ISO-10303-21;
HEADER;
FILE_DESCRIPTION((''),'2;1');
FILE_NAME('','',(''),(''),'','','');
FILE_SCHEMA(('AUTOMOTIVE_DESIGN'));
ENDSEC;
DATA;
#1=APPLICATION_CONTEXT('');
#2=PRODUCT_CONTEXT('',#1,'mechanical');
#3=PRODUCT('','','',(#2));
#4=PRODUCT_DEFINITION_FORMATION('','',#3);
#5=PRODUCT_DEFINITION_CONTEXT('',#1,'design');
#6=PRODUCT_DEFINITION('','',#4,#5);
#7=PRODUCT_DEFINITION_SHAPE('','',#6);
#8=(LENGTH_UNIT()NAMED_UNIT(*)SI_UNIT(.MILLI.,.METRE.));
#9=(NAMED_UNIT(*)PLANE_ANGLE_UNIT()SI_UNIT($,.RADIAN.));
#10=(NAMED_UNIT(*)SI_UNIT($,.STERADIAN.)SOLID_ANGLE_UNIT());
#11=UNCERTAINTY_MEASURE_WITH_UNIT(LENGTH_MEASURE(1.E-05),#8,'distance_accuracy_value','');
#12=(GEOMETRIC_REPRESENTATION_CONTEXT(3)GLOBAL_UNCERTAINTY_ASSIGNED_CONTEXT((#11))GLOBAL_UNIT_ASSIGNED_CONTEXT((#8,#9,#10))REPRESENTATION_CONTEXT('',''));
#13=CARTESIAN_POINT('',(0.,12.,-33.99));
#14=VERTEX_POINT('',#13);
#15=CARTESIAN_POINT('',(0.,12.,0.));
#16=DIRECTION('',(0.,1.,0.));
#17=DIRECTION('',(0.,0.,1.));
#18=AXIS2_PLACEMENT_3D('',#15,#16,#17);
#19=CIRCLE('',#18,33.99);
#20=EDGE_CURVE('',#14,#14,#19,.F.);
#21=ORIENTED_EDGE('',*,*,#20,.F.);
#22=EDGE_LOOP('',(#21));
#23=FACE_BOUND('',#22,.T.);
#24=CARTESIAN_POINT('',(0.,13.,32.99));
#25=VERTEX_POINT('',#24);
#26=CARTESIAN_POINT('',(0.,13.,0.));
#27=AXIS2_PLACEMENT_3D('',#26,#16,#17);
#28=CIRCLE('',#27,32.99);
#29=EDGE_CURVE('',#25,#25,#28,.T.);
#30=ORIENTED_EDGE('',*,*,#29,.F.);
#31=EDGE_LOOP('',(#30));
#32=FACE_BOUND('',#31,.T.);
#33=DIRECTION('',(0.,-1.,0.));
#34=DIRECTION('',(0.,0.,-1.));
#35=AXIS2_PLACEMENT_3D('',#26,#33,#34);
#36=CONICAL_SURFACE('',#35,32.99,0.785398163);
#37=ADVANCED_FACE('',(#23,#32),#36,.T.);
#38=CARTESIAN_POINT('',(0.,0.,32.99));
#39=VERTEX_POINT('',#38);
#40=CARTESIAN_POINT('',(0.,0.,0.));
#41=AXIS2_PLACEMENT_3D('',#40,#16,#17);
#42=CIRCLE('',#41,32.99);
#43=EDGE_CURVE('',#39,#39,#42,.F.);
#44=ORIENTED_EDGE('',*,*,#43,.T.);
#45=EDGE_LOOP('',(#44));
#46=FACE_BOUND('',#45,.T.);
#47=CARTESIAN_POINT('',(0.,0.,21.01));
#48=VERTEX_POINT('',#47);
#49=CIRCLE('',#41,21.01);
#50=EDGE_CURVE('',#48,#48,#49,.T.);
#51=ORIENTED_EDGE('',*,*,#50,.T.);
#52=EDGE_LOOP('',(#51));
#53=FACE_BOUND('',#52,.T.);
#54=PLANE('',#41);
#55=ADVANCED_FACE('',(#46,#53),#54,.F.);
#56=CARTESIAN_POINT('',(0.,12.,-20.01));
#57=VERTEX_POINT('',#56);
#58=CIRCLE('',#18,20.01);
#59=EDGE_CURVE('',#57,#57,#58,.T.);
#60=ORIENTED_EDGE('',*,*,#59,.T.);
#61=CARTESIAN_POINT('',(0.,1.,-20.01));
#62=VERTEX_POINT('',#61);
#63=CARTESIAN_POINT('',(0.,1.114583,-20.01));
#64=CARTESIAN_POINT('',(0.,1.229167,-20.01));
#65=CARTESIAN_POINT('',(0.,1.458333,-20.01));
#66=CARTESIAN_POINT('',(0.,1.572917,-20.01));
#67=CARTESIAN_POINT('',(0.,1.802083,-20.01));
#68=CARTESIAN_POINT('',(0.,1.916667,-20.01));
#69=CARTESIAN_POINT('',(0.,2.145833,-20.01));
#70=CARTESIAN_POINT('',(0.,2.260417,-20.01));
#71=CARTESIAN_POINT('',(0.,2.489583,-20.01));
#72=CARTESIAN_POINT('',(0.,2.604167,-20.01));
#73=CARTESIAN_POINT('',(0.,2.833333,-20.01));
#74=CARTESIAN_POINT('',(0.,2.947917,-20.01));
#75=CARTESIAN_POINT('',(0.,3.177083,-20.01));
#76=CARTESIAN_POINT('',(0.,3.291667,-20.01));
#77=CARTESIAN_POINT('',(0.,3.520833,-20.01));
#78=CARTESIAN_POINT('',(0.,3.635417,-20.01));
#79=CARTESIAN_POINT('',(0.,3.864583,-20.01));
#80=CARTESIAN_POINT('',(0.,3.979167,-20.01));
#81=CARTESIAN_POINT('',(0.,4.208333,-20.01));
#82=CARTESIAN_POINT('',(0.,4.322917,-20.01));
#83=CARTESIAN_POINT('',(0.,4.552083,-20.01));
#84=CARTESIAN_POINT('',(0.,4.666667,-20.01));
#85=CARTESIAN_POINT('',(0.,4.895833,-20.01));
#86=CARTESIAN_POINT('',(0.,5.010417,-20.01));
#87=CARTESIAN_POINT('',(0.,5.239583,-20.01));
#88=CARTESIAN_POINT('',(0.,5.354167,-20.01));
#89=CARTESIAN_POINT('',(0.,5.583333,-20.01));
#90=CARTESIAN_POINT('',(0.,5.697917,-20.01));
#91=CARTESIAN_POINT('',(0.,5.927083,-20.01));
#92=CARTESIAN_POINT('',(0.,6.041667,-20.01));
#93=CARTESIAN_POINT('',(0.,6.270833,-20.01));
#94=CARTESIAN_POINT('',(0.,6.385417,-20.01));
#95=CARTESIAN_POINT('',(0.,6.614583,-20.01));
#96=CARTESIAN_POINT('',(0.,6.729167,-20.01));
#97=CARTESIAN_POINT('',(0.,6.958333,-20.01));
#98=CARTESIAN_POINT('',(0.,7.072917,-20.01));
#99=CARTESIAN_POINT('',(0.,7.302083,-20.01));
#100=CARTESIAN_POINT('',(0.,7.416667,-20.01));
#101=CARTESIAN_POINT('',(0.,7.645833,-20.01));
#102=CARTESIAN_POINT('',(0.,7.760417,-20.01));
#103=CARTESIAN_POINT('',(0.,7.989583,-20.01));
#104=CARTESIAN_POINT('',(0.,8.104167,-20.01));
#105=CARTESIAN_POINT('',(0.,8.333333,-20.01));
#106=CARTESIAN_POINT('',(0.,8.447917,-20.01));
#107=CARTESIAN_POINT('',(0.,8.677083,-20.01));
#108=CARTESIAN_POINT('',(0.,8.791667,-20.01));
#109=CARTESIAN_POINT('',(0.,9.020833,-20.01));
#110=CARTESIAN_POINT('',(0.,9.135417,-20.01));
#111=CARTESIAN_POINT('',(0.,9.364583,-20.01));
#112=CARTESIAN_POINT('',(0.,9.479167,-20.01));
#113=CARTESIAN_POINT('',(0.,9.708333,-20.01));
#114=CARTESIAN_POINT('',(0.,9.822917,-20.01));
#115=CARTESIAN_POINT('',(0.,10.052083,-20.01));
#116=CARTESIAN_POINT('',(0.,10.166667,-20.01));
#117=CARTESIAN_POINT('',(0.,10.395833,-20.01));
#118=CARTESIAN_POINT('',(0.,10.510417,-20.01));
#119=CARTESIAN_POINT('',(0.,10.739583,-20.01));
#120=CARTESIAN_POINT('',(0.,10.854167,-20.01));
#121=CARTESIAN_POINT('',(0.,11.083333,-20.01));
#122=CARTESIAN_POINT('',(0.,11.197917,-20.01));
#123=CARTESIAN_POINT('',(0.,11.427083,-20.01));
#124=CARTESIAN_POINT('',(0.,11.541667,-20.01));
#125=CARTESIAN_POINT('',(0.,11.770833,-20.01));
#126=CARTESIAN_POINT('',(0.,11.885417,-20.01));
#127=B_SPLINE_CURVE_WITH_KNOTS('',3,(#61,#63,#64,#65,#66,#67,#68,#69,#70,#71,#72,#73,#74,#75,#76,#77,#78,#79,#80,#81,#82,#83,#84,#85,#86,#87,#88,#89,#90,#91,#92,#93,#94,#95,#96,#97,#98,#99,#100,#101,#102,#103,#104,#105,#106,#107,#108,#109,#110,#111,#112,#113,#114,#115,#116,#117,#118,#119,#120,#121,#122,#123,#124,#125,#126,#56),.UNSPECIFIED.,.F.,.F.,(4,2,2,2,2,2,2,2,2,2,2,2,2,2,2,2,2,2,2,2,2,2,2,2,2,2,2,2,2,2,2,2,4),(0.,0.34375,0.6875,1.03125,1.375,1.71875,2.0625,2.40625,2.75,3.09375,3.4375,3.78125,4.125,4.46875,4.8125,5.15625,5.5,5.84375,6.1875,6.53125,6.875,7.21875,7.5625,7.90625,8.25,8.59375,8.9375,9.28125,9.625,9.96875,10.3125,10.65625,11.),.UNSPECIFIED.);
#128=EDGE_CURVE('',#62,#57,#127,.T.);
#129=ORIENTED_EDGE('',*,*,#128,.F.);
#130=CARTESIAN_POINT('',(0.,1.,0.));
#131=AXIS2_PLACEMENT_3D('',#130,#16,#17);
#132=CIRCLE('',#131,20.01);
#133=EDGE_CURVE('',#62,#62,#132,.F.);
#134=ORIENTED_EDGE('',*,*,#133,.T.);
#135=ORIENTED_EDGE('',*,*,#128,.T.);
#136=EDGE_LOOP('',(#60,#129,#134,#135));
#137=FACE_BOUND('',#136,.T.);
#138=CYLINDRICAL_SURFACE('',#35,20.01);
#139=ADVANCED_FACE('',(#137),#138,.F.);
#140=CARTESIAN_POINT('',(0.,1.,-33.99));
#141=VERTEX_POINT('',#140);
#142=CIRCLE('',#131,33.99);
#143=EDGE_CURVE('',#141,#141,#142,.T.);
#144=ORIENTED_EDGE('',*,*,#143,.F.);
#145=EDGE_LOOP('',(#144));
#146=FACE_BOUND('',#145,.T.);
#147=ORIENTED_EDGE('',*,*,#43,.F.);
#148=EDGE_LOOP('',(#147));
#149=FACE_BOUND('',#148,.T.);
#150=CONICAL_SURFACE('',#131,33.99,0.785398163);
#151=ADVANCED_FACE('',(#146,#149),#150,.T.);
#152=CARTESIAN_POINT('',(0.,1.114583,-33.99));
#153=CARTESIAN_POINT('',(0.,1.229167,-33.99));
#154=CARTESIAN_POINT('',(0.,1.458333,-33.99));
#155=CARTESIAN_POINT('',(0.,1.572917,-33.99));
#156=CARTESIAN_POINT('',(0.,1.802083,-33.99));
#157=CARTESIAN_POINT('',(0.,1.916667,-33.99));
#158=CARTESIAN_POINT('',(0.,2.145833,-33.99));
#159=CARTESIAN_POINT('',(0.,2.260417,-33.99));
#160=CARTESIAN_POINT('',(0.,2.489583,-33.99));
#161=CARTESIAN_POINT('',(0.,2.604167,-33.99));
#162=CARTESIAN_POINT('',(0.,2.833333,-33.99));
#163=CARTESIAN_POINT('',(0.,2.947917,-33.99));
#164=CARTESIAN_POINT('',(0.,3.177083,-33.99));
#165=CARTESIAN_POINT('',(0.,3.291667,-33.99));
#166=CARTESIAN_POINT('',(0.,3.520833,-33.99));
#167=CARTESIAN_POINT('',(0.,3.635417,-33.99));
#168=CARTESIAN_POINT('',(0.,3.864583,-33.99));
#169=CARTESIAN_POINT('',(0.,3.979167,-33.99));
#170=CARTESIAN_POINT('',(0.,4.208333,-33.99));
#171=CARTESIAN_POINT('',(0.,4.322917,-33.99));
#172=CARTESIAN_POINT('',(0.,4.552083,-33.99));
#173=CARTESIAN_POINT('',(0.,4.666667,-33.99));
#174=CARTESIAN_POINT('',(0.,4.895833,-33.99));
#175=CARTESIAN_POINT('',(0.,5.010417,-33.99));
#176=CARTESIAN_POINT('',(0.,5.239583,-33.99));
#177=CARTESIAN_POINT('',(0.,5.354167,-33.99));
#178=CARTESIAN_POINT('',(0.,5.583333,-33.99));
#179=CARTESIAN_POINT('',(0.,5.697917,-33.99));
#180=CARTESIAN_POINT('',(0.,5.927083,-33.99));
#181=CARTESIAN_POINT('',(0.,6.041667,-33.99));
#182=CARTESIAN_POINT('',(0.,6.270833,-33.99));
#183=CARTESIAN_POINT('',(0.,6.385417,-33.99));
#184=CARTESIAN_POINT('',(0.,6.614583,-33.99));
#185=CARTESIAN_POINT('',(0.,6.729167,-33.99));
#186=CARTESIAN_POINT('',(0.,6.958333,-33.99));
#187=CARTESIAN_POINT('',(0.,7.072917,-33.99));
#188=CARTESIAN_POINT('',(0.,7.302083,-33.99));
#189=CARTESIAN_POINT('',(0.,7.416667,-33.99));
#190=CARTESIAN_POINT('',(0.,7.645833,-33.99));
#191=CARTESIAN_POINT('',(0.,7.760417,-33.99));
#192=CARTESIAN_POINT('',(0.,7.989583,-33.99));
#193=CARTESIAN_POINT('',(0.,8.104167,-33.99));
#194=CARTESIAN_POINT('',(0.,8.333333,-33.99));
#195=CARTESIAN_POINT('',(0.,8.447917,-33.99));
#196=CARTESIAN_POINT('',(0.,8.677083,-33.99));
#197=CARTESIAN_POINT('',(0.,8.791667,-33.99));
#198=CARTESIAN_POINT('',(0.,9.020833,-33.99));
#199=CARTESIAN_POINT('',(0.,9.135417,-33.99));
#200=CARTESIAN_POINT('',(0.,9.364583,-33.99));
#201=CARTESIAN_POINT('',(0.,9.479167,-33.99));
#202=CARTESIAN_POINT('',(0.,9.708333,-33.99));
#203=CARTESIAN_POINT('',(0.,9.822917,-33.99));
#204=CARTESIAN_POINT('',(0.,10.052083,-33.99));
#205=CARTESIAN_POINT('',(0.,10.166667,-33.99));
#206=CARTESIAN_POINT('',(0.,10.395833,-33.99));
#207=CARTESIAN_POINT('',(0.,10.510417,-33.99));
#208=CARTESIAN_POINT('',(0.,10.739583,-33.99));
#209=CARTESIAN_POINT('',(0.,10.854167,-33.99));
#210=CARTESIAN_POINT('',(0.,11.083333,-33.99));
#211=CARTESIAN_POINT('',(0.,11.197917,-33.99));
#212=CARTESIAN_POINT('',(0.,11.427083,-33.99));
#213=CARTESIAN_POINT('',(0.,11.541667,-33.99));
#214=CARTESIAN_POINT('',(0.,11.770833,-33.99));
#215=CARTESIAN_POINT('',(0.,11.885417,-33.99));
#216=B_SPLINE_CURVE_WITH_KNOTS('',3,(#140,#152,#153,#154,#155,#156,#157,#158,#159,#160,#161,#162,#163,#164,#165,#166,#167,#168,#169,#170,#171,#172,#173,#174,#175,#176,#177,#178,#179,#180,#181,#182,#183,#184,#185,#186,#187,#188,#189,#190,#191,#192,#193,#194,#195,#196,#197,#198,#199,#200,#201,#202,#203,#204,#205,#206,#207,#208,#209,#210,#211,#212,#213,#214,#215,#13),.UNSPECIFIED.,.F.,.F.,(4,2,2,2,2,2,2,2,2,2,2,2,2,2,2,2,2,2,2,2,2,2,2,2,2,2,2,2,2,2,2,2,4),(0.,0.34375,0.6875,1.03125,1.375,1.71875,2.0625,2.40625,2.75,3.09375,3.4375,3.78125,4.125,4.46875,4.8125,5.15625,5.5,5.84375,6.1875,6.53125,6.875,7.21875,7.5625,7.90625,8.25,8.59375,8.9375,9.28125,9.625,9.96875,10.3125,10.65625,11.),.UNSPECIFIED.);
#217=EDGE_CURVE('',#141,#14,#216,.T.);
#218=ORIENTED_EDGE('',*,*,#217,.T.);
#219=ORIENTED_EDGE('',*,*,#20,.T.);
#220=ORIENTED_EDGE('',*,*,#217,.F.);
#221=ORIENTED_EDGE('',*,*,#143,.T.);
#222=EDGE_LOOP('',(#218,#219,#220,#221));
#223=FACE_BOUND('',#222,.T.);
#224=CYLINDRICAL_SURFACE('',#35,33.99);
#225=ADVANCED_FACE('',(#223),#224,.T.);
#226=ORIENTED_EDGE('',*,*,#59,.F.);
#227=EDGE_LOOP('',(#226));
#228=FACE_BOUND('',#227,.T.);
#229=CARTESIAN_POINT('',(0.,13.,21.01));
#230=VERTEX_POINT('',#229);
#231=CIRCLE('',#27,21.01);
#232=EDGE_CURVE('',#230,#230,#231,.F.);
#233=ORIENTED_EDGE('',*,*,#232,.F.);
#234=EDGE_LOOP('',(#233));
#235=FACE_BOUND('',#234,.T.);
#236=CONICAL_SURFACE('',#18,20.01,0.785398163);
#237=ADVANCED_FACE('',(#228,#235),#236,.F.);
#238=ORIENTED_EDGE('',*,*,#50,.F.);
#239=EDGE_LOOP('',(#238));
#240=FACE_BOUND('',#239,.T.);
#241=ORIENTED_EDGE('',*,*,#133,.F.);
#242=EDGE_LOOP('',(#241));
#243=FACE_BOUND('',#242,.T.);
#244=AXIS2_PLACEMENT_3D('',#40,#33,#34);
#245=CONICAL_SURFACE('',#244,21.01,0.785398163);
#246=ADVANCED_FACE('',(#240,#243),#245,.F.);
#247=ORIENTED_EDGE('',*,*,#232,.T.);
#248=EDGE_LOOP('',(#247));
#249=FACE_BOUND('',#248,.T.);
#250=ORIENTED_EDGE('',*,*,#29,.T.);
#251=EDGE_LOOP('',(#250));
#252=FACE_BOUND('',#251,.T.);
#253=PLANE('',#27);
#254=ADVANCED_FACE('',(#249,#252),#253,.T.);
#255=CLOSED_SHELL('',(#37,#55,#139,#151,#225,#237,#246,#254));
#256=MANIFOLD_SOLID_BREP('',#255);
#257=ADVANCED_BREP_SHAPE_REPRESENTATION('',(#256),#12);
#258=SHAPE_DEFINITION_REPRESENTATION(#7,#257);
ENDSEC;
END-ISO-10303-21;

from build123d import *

# Parameters (mm, degrees)
SKETCH_1_R      = 33.99
SKETCH_1_R_2    = 20.01
EXTRUDE_1_DEPTH = 13
CHAMFER_1_SIZE  = 1


with BuildPart() as part:
    # 草图1 → 凸台-拉伸1 (new body)
    with BuildSketch(Plane(origin=(0, 0, 0), x_dir=(1, 0, 0), z_dir=(0, 1, 0))):
        with Locations(Location((0, 0, 0), (0, 0, 90))):
            Circle(SKETCH_1_R)
        with Locations(Location((0, 0, 0), (0, 0, 90))):
            Circle(SKETCH_1_R_2, mode=Mode.SUBTRACT)
    extrude(amount=EXTRUDE_1_DEPTH)

    # 倒角1
    chamfer_1_edges = [part.edges().sort_by_distance(p)[0] for p in [
        (0, 0, 33.99),
        (0, 13, 33.99),
        (0, 0, 20.01),
        (0, 13, 20.01),
    ]]
    chamfer(chamfer_1_edges, length=CHAMFER_1_SIZE)


solid = part.part
